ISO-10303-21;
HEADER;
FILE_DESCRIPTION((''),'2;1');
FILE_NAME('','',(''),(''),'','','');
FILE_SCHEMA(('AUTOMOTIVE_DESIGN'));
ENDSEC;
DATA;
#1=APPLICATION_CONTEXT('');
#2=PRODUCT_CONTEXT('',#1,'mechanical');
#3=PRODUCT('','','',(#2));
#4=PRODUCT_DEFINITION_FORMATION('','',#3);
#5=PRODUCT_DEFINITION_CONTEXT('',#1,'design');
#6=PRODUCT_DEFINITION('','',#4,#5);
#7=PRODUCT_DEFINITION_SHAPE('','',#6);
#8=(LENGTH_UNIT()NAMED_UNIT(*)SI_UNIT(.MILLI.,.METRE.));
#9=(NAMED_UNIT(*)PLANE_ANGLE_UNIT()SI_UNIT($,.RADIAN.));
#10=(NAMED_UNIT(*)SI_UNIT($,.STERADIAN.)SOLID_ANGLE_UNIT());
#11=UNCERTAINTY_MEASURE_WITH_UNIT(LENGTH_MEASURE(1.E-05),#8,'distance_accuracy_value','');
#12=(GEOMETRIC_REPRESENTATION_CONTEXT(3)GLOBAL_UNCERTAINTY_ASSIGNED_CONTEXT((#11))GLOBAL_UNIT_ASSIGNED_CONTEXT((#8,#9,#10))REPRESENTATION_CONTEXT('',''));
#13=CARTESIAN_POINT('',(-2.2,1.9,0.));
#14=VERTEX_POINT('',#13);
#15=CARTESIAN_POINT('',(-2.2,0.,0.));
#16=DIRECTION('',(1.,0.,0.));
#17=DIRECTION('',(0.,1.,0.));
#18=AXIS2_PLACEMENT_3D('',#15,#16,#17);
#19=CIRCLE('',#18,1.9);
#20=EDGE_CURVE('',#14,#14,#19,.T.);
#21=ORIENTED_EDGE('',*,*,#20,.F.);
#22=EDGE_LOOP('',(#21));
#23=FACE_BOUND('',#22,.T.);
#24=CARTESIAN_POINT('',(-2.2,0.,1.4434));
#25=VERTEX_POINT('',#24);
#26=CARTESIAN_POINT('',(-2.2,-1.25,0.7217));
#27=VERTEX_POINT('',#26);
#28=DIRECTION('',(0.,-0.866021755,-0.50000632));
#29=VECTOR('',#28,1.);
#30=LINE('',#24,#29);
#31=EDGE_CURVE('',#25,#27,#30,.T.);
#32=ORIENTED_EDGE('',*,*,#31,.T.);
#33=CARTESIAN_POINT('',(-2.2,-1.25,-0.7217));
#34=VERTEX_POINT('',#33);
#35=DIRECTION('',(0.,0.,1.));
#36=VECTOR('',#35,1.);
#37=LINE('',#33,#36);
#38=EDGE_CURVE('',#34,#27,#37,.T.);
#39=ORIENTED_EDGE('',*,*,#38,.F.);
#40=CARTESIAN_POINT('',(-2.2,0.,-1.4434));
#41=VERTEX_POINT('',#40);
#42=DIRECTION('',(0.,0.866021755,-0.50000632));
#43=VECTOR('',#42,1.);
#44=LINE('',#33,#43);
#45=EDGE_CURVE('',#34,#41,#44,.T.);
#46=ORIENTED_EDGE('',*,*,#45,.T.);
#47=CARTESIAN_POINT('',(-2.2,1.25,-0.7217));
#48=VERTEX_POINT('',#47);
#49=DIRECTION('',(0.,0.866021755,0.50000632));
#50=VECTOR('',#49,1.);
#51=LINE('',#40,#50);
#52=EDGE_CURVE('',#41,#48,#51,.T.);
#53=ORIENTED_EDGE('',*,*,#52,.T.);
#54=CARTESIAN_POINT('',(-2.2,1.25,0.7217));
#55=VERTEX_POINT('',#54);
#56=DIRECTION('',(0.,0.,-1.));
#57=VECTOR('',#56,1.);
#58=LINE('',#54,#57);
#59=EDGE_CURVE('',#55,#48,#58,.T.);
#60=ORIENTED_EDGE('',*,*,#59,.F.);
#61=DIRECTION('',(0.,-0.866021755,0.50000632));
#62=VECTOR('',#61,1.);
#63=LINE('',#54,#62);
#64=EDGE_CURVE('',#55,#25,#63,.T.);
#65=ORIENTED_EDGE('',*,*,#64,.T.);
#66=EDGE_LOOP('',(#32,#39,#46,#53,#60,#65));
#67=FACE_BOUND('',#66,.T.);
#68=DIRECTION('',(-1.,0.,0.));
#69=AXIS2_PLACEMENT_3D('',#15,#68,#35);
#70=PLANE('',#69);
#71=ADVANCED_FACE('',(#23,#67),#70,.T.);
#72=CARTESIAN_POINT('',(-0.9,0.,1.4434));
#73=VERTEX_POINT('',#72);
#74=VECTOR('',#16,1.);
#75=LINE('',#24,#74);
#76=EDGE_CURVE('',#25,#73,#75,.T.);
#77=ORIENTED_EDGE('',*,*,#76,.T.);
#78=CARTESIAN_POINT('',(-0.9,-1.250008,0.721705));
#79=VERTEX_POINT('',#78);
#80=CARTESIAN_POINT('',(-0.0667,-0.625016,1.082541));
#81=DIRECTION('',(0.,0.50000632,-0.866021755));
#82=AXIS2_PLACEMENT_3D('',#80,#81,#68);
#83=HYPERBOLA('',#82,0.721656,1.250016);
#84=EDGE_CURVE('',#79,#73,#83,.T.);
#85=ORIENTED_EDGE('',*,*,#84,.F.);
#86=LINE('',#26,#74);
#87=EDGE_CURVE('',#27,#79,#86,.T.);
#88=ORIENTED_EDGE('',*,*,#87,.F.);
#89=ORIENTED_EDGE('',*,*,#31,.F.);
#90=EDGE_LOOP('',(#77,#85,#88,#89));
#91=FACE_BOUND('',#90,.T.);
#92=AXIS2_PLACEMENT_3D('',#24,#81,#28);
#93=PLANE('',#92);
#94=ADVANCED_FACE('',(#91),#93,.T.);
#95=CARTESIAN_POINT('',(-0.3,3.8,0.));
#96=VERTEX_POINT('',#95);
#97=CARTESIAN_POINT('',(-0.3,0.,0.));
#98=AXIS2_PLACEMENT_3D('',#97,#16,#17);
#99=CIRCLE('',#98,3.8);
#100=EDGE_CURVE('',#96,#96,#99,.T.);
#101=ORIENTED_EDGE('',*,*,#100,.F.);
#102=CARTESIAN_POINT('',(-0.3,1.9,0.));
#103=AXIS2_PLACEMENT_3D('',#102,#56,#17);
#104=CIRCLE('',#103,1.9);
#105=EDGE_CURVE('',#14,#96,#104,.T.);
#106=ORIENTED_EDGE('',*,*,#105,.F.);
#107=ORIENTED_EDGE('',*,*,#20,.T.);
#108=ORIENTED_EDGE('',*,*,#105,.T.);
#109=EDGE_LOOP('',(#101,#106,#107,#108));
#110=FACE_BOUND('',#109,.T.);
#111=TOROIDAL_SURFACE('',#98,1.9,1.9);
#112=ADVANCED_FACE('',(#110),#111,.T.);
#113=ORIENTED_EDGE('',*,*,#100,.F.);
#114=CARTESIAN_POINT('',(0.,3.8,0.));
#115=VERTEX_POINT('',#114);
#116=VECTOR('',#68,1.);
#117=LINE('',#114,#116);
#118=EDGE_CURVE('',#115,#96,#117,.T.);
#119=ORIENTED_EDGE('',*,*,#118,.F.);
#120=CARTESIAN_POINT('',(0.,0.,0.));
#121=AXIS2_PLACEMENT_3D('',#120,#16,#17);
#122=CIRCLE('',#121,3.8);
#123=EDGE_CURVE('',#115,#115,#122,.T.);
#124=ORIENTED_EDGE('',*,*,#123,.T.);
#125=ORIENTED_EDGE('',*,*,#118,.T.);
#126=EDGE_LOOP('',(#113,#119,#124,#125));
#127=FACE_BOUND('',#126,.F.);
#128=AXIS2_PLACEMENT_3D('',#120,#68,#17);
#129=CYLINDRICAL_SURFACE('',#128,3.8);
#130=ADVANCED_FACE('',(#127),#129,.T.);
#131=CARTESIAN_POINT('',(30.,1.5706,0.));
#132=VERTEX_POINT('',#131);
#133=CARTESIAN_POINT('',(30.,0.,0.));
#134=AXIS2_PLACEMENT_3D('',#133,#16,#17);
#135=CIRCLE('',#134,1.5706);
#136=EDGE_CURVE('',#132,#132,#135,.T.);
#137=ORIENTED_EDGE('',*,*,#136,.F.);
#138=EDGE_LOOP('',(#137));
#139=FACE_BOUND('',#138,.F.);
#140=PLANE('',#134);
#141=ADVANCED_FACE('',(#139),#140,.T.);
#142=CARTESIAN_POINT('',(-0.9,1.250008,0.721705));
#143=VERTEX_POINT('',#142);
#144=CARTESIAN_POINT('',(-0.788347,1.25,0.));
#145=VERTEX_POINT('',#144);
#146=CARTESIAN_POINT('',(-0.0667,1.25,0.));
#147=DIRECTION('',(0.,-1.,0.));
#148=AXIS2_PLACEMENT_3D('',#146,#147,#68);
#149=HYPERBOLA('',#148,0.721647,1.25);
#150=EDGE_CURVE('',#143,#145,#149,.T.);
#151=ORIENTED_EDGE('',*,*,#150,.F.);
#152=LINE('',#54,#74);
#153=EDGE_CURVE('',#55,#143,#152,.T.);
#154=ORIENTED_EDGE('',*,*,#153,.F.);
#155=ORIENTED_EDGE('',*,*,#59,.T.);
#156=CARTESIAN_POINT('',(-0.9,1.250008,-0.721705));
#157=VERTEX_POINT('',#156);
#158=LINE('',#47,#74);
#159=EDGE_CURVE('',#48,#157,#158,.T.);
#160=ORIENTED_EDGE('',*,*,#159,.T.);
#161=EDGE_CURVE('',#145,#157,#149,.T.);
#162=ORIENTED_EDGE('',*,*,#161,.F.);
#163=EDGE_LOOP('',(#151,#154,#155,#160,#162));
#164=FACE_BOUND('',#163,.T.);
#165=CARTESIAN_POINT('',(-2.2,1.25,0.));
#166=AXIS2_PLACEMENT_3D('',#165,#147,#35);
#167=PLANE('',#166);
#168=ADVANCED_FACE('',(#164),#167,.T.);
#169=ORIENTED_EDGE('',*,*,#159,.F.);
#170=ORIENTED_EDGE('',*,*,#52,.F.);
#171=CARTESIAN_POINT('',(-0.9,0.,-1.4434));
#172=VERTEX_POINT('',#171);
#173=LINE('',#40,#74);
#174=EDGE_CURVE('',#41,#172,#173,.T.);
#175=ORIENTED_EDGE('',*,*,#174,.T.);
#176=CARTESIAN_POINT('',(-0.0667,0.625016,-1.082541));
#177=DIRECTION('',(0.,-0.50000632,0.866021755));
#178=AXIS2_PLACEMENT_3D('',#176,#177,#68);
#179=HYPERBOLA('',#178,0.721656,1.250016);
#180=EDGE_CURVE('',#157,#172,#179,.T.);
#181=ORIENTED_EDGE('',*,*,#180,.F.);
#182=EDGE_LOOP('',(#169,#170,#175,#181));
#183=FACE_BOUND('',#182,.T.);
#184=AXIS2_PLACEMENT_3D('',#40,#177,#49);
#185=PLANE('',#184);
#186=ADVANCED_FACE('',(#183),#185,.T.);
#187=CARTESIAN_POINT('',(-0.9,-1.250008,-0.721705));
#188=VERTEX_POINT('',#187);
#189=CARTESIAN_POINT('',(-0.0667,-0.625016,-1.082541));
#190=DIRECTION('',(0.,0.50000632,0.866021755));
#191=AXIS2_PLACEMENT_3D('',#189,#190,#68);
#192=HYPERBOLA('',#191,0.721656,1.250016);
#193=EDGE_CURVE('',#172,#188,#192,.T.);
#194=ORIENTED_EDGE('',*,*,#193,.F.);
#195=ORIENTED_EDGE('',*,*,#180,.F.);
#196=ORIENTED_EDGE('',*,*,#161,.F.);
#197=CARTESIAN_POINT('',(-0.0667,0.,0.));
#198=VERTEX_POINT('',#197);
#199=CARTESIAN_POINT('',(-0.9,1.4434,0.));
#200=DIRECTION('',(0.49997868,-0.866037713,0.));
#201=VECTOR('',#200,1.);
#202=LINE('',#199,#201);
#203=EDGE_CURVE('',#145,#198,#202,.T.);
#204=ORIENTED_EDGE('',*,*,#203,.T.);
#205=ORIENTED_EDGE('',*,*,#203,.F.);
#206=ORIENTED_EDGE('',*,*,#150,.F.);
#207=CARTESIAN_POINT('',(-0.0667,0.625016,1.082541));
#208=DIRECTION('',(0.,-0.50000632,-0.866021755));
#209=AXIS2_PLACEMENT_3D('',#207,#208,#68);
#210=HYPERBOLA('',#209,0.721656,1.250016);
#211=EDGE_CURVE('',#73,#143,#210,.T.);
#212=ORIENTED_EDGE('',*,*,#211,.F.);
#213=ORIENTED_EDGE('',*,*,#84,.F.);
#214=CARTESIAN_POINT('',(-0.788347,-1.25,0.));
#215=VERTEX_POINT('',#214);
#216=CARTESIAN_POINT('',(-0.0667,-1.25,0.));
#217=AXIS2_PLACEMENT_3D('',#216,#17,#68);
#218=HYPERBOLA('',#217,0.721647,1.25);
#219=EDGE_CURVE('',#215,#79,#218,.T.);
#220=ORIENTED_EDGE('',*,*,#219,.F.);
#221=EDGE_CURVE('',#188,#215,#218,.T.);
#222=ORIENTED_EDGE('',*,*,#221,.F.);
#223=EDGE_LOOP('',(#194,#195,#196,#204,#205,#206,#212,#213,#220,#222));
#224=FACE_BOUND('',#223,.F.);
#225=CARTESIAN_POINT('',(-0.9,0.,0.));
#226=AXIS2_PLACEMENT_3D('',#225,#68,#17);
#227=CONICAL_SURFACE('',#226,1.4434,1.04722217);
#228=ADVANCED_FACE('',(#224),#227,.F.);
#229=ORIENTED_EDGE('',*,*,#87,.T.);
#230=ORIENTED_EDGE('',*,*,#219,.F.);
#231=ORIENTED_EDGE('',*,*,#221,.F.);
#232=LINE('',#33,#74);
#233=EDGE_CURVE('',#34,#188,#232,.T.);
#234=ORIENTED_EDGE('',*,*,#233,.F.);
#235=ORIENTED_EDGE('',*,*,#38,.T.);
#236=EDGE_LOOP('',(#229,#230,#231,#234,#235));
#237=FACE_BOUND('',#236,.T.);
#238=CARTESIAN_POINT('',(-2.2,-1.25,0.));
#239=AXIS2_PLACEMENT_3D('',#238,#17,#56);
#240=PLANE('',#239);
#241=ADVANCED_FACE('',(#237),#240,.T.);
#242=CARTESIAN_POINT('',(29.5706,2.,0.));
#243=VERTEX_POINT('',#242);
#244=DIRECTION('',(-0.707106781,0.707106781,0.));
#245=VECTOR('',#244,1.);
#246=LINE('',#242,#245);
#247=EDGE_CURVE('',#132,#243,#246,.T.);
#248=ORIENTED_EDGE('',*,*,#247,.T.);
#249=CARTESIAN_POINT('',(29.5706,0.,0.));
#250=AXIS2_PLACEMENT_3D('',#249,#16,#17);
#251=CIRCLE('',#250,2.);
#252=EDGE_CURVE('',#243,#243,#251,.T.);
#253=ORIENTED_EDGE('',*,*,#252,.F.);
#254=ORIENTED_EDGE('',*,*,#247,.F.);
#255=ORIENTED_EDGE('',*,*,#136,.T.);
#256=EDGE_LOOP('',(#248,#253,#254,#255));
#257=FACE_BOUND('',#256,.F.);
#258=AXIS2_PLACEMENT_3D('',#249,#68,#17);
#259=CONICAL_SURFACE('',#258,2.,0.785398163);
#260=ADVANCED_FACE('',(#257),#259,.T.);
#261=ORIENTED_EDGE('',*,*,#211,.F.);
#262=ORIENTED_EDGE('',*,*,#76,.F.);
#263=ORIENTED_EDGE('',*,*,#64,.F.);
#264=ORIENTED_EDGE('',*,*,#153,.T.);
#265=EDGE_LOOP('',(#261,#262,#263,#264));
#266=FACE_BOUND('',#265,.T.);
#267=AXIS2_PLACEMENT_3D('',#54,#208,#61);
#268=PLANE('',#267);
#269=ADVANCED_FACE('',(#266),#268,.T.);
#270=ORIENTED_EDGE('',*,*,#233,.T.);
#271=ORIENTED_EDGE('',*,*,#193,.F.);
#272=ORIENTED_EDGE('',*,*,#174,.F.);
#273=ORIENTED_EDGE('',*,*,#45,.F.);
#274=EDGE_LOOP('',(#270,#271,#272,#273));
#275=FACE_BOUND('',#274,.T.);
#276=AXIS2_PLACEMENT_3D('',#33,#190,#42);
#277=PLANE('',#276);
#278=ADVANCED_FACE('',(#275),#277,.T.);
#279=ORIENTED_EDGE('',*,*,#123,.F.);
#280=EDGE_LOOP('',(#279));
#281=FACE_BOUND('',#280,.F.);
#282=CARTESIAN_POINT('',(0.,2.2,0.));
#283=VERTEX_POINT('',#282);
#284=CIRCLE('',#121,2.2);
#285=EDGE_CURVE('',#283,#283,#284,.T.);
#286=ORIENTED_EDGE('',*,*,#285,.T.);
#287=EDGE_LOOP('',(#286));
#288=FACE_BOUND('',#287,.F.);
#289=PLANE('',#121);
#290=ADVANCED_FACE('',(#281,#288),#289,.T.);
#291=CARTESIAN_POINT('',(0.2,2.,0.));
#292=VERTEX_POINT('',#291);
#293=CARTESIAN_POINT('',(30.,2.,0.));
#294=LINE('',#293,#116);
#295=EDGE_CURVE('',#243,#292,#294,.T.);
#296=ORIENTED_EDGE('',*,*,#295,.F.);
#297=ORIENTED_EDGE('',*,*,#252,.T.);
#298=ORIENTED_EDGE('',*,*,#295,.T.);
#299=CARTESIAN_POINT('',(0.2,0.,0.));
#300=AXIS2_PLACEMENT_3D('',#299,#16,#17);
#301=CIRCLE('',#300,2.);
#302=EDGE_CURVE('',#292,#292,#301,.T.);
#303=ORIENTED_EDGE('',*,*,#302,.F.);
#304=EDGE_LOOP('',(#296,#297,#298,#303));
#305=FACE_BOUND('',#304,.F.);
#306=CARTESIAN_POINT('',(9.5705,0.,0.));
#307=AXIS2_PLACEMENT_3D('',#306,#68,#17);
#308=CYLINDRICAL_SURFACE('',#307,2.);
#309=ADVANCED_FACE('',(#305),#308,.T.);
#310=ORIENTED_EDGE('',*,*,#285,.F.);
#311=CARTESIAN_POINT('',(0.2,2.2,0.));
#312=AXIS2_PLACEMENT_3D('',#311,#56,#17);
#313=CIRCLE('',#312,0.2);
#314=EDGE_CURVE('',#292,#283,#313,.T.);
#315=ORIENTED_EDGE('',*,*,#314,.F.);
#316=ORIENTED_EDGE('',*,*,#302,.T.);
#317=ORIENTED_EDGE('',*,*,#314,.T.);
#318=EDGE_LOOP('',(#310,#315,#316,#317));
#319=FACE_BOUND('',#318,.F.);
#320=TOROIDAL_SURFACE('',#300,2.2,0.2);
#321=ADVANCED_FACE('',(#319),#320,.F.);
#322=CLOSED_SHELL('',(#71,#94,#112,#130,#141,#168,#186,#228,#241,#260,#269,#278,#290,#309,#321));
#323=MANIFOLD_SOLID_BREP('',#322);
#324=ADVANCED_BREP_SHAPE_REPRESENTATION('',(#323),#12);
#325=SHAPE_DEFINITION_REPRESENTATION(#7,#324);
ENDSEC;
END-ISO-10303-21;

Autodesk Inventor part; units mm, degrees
ref_plane "YZ Plane" through (0, 0, 0) normal (1, 0, 0) x (0, 1, 0)
ref_plane "XZ Plane" through (0, 0, 0) normal (0, 1, 0) x (-1, 0, 0)
sketch "Skizze1" plane through (0, 0, 0) normal (0, 0, 1) x (1, 0, 0)
  line L0 (-0.0667, 0) -> (30, 0)
  line L1 (30, 0) -> (30, 2)
  line L2 (30, 2) -> (10, 2)
  line L3 (10, 2) -> (9.5705, 2)
  line L4 (9.5705, 2) -> (0, 2)
  line L5 (0, 2) -> (0, 3.8)
  line L6 (0, 3.8) -> (-2.2, 3.8)
  line L7 (-2.2, 3.8) -> (-2.2, 1.4434)
  line L8 (-2.2, 1.4434) -> (-0.9, 1.4434)
  line L9 (-0.9, 1.4434) -> (-0.0667, 0)
  line L10 (-8.64, 0) -> (36.44, 0) projected
  line L11 (0, -0.76) -> (0, 4.56) projected
  line L12 (10, 2) -> (0, 2) construction
  dimension "d1" = 20
  dimension "d2" = 0.4295
  dimension "d3" = 2.2
  dimension "d4" = 1.3
  dimension "d5" = 60
  dimension "d6" = 4
  dimension "d7" = 4
  dimension "d8" = 2.8868
  dimension "d9" = 7.6
  dimension "d26" = 30
revolve "Körper" add sketch "Skizze1" angle 360 about axis through (-0.0667, 0, 0) along (1, 0, 0)
sketch "Skizze2" plane through (-2.2, 0, 0) normal (-1, 0, 0) x (0, 0, 1)
  circle A0 centre (0, 0) radius 1.4434 projected
  line L0 (0, -5.32) -> (0, 5.32) projected
  line L1 (-5.32, 0) -> (5.32, 0) projected
  line L2 (1.4434, 0) -> (0.7217, -1.25)
  line L3 (0.7217, -1.25) -> (-0.7217, -1.25)
  line L4 (-0.7217, -1.25) -> (-1.4434, 0)
  line L5 (-1.4434, 0) -> (-0.7217, 1.25)
  line L6 (-0.7217, 1.25) -> (0.7217, 1.25)
  line L7 (0.7217, 1.25) -> (1.4434, 0)
extrude "Loch" add sketch "Skizze2" against normal up to next contours L7 A0 | A0 L2 | L6 L0 A0 | A0 L0 L3 | L0 L6 A0 | A0 L3 L0 | L4 A0 | A0 L5
fillet "Rundung1" radius 1.9 1 edges at (-2.2, -3.8, 0)
thread "Gewinde" size "M4x0.7" class "6g" standard "ISO Metric profile" length 20
chamfer "Fase1" distance 0.4294 distance2 0.4294 1 edges at (30, -2, 0) measured on face at (30, 0.0262, -0.4421)
ref_plane "Work Plane1" through (29, 0, 0) normal (0, -1, 0) x (1, 0, 0)
fillet "Rundung2" radius 0.2 1 edges at (0, -2, 0)
equation "\"d1\" = GEL"
equation "\"d3\" = KOH"
equation "\"d4\" = INTI"
equation "\"d6\" = GD"
equation "\"d7\" = BDM"
equation "\"d8\" = 1.1547 * SW"
equation "\"d9\" = KOD"
equation "\"d26\" = NLG"
equation "\"d17\" = RR"
equation "\"d13\" = GEL"
equation "\"d15\" = -0.5 * SPD + 0.5 * GD"
equation "\"d16\" = GUL"
equation "\"d30\" = R"
equation "\"GD\" = NND"
equation "\"NLG\" = 30"
equation "\"GEL\" = 20"
equation "\"KOD\" = 7.6"
equation "\"KOH\" = 2.2"
equation "\"INTI\" = 1.3"
equation "\"GAL\" = 0.61345 * PTC"
equation "\"GUL\" = 0.61345 * PTC"
equation "\"BDM\" = NND"
equation "\"SW\" = 2.5"
equation "\"RR\" = 1.9"
equation "\"SPD\" = NND - 1.2269 * PTC"
equation "\"R\" = 0.2"
equation "\"TOA\" = 30deg"
equation "\"GD1\" = THREADDIA - 1.2269 * PTC"
equation "\"THREADDIA\" = 4"
equation "\"PTC\" = 0.7"
equation "\"NND\" = 4"
equation "\"KOH1\" = 0.3"
equation "\"E0\" = 2.873"
properties part number "ISO 7380-1 - M4 x 30" material "Stahl"
